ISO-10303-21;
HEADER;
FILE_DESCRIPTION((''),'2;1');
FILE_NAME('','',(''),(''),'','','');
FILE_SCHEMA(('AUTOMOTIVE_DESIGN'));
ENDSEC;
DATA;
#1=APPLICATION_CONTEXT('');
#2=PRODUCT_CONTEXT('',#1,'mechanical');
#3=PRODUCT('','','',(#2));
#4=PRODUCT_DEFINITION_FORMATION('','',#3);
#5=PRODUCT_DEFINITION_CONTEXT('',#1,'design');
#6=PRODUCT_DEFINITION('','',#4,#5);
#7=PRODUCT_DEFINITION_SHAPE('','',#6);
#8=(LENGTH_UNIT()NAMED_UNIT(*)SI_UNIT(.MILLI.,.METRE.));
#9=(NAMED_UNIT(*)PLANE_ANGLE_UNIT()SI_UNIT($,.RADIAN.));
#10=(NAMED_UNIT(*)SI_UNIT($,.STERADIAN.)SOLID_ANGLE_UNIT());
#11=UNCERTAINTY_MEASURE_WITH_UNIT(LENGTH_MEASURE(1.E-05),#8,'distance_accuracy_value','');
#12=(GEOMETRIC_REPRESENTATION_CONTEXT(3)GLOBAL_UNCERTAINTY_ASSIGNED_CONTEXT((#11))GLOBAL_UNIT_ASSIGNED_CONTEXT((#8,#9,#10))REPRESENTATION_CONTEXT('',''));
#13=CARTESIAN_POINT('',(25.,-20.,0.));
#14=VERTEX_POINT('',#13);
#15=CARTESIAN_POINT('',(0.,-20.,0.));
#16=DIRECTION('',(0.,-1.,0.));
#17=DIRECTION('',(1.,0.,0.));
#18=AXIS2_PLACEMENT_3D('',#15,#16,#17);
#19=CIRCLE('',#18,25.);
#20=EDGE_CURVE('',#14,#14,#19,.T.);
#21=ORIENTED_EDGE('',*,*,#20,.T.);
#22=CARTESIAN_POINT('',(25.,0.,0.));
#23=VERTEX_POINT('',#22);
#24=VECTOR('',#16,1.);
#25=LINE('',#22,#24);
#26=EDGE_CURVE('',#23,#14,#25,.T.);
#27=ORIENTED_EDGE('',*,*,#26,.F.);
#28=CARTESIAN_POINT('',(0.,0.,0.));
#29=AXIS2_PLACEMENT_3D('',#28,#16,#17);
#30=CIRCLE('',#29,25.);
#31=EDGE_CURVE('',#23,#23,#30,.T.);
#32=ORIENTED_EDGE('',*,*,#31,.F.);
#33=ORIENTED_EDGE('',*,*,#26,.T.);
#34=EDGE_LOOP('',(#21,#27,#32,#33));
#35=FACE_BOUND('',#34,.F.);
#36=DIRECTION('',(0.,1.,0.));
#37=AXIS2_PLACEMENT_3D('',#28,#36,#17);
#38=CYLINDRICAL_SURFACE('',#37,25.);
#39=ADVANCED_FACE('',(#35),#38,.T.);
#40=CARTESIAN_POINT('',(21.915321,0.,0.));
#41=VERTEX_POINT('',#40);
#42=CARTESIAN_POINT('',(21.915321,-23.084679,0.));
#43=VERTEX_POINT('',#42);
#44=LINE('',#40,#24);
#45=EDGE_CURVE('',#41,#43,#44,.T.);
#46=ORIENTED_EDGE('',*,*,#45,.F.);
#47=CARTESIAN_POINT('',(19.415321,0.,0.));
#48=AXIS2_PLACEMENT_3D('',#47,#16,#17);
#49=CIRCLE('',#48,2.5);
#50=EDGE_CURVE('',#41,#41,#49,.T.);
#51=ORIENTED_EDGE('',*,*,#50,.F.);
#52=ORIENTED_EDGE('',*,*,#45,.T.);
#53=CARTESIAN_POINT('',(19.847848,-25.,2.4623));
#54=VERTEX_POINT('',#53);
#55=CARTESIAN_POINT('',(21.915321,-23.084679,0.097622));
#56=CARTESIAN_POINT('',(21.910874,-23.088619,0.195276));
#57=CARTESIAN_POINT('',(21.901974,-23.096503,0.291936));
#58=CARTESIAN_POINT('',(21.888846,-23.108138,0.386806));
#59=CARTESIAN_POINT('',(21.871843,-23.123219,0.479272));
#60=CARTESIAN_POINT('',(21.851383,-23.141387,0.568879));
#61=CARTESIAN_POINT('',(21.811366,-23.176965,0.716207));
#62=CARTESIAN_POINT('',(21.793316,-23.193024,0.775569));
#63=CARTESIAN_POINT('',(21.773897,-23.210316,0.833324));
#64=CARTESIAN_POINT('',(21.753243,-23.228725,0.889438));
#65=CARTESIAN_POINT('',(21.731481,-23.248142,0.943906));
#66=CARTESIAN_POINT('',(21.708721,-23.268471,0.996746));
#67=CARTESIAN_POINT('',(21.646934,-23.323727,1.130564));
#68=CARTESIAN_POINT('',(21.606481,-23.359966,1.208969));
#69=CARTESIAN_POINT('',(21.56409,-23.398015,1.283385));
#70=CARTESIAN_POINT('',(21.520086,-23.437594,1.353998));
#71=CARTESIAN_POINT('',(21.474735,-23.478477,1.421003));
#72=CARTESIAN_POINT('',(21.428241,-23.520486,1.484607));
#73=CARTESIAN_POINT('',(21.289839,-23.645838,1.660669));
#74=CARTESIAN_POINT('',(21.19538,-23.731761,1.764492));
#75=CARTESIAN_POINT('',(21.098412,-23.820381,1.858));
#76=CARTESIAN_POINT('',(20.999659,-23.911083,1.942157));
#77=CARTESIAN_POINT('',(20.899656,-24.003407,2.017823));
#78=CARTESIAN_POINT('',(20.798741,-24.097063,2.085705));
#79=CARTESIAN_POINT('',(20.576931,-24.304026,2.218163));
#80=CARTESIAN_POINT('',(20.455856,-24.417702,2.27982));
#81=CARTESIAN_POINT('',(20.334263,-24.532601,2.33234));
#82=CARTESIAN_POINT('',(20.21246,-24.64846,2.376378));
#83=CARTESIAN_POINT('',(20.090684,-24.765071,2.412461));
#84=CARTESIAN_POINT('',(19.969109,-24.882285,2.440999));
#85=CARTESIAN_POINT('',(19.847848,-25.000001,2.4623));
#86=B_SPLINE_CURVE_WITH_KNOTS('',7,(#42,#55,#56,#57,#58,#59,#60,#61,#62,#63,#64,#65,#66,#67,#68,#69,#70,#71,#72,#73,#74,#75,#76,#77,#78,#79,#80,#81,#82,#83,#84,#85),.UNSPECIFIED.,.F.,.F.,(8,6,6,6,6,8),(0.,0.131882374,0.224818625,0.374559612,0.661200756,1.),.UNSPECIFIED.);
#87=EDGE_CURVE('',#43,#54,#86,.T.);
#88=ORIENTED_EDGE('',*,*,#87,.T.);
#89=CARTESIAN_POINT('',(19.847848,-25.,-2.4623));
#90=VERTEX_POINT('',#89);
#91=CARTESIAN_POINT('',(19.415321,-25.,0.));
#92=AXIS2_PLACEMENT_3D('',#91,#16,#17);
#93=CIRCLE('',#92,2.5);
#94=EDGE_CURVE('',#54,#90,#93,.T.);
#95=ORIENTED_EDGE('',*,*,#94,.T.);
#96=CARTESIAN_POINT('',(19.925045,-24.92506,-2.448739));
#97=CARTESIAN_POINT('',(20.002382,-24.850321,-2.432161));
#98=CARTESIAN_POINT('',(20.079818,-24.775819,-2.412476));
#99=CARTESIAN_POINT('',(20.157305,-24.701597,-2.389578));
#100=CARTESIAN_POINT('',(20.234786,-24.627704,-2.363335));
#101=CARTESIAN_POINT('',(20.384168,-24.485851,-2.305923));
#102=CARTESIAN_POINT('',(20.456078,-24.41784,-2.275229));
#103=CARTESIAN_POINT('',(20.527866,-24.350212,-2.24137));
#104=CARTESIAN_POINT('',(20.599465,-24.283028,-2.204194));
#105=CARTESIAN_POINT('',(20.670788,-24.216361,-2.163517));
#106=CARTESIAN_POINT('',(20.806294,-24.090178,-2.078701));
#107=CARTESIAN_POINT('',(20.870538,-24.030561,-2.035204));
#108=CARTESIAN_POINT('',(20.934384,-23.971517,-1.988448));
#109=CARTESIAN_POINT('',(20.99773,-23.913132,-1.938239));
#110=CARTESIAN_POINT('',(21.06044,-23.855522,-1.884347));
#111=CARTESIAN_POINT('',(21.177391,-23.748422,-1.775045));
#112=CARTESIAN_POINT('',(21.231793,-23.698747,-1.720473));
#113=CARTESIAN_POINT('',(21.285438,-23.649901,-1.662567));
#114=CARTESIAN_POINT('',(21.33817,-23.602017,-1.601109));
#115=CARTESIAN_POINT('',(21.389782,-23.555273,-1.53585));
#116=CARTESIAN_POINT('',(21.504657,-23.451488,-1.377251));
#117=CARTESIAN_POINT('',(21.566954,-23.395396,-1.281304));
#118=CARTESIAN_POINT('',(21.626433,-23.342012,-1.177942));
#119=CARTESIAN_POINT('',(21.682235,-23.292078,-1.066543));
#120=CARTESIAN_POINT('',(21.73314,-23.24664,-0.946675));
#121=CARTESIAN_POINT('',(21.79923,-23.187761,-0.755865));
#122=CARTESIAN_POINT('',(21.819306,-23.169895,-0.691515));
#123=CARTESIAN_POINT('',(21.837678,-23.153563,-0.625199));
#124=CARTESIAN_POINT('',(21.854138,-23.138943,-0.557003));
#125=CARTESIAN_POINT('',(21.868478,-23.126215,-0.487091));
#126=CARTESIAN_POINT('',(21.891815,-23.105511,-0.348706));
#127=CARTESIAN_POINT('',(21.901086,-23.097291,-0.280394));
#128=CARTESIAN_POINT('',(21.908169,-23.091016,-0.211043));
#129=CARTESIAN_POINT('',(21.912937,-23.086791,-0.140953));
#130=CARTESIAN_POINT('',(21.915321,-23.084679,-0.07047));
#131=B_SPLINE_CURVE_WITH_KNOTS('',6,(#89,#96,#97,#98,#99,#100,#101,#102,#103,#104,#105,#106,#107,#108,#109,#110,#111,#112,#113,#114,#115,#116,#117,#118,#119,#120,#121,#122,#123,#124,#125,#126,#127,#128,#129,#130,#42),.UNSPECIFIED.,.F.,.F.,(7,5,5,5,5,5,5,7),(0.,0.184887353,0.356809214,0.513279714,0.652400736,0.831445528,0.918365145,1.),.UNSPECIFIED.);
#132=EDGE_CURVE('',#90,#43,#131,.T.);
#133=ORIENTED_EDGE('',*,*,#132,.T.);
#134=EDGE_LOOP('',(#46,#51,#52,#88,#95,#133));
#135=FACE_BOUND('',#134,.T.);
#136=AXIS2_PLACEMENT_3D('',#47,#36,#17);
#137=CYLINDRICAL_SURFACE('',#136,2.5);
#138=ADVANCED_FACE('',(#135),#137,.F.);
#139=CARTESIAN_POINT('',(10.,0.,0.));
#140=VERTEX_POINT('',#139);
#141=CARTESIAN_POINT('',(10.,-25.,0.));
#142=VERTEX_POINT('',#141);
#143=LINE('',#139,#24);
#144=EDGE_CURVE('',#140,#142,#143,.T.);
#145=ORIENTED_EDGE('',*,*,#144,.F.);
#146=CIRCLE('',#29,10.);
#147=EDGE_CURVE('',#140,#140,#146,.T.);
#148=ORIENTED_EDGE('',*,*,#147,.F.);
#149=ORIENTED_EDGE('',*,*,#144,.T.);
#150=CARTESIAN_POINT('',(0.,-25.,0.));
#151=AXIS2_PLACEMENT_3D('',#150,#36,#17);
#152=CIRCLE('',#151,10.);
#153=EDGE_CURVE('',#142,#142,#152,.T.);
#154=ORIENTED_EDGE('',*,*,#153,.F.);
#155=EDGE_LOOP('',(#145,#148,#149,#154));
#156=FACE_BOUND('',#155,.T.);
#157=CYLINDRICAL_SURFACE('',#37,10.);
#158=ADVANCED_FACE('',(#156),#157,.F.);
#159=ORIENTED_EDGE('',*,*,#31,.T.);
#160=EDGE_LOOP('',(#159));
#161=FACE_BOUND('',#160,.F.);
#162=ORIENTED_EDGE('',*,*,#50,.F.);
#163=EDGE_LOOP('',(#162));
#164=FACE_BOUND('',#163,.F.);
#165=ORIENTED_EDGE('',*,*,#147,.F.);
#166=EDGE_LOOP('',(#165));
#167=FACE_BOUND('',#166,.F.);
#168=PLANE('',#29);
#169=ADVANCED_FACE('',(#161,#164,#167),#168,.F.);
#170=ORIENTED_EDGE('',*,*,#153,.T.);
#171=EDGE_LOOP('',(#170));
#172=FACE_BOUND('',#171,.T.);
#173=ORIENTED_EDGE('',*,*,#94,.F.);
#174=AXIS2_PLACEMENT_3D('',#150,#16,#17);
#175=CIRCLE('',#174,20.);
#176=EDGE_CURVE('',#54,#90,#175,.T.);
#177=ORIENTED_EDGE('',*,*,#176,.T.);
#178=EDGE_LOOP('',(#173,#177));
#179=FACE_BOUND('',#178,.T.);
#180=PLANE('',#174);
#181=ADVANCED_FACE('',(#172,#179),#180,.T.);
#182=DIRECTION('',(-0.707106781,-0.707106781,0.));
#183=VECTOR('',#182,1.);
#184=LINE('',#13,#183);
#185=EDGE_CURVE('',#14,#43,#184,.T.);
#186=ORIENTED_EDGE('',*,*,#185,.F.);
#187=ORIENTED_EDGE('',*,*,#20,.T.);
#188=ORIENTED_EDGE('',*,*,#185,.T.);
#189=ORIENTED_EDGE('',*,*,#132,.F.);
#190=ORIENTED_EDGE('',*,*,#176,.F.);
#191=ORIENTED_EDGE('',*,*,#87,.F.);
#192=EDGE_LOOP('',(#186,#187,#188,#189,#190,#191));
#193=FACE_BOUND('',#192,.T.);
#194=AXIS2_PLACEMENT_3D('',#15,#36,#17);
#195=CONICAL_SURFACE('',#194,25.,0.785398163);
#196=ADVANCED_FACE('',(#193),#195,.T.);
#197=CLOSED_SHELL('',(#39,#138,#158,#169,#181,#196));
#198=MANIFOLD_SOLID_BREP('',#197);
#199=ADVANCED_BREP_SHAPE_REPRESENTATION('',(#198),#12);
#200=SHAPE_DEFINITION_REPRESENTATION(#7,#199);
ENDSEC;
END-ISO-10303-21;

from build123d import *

# Parameters (mm, degrees)
F0_R     = 25
F1_DEPTH = 25
F2_R     = 10
F3_DEPTH = 50
F4_SIZE  = 5
F5_R     = 2.5
F6_DEPTH = 25


with BuildPart() as f1:
    # F0 (on Front) → F1 (new body)
    with BuildSketch(Plane.XZ):
        Circle(F0_R)
    extrude(amount=F1_DEPTH)

    # F2 (on Front) → F3 (cut)
    with BuildSketch(Plane.XZ):
        Circle(F2_R)
    extrude(amount=F3_DEPTH, mode=Mode.SUBTRACT)

    # F4
    f4_edges = [f1.edges().sort_by_distance(p)[0] for p in [
        (-25, -25, 0),
    ]]
    chamfer(f4_edges, length=F4_SIZE)

    # F5 (on Front) → F6 (cut)
    with BuildSketch(Plane.XZ):
        with Locations((19.415321, 0)):
            Circle(F5_R)
    extrude(amount=F6_DEPTH, mode=Mode.SUBTRACT)


solid = f1.part
